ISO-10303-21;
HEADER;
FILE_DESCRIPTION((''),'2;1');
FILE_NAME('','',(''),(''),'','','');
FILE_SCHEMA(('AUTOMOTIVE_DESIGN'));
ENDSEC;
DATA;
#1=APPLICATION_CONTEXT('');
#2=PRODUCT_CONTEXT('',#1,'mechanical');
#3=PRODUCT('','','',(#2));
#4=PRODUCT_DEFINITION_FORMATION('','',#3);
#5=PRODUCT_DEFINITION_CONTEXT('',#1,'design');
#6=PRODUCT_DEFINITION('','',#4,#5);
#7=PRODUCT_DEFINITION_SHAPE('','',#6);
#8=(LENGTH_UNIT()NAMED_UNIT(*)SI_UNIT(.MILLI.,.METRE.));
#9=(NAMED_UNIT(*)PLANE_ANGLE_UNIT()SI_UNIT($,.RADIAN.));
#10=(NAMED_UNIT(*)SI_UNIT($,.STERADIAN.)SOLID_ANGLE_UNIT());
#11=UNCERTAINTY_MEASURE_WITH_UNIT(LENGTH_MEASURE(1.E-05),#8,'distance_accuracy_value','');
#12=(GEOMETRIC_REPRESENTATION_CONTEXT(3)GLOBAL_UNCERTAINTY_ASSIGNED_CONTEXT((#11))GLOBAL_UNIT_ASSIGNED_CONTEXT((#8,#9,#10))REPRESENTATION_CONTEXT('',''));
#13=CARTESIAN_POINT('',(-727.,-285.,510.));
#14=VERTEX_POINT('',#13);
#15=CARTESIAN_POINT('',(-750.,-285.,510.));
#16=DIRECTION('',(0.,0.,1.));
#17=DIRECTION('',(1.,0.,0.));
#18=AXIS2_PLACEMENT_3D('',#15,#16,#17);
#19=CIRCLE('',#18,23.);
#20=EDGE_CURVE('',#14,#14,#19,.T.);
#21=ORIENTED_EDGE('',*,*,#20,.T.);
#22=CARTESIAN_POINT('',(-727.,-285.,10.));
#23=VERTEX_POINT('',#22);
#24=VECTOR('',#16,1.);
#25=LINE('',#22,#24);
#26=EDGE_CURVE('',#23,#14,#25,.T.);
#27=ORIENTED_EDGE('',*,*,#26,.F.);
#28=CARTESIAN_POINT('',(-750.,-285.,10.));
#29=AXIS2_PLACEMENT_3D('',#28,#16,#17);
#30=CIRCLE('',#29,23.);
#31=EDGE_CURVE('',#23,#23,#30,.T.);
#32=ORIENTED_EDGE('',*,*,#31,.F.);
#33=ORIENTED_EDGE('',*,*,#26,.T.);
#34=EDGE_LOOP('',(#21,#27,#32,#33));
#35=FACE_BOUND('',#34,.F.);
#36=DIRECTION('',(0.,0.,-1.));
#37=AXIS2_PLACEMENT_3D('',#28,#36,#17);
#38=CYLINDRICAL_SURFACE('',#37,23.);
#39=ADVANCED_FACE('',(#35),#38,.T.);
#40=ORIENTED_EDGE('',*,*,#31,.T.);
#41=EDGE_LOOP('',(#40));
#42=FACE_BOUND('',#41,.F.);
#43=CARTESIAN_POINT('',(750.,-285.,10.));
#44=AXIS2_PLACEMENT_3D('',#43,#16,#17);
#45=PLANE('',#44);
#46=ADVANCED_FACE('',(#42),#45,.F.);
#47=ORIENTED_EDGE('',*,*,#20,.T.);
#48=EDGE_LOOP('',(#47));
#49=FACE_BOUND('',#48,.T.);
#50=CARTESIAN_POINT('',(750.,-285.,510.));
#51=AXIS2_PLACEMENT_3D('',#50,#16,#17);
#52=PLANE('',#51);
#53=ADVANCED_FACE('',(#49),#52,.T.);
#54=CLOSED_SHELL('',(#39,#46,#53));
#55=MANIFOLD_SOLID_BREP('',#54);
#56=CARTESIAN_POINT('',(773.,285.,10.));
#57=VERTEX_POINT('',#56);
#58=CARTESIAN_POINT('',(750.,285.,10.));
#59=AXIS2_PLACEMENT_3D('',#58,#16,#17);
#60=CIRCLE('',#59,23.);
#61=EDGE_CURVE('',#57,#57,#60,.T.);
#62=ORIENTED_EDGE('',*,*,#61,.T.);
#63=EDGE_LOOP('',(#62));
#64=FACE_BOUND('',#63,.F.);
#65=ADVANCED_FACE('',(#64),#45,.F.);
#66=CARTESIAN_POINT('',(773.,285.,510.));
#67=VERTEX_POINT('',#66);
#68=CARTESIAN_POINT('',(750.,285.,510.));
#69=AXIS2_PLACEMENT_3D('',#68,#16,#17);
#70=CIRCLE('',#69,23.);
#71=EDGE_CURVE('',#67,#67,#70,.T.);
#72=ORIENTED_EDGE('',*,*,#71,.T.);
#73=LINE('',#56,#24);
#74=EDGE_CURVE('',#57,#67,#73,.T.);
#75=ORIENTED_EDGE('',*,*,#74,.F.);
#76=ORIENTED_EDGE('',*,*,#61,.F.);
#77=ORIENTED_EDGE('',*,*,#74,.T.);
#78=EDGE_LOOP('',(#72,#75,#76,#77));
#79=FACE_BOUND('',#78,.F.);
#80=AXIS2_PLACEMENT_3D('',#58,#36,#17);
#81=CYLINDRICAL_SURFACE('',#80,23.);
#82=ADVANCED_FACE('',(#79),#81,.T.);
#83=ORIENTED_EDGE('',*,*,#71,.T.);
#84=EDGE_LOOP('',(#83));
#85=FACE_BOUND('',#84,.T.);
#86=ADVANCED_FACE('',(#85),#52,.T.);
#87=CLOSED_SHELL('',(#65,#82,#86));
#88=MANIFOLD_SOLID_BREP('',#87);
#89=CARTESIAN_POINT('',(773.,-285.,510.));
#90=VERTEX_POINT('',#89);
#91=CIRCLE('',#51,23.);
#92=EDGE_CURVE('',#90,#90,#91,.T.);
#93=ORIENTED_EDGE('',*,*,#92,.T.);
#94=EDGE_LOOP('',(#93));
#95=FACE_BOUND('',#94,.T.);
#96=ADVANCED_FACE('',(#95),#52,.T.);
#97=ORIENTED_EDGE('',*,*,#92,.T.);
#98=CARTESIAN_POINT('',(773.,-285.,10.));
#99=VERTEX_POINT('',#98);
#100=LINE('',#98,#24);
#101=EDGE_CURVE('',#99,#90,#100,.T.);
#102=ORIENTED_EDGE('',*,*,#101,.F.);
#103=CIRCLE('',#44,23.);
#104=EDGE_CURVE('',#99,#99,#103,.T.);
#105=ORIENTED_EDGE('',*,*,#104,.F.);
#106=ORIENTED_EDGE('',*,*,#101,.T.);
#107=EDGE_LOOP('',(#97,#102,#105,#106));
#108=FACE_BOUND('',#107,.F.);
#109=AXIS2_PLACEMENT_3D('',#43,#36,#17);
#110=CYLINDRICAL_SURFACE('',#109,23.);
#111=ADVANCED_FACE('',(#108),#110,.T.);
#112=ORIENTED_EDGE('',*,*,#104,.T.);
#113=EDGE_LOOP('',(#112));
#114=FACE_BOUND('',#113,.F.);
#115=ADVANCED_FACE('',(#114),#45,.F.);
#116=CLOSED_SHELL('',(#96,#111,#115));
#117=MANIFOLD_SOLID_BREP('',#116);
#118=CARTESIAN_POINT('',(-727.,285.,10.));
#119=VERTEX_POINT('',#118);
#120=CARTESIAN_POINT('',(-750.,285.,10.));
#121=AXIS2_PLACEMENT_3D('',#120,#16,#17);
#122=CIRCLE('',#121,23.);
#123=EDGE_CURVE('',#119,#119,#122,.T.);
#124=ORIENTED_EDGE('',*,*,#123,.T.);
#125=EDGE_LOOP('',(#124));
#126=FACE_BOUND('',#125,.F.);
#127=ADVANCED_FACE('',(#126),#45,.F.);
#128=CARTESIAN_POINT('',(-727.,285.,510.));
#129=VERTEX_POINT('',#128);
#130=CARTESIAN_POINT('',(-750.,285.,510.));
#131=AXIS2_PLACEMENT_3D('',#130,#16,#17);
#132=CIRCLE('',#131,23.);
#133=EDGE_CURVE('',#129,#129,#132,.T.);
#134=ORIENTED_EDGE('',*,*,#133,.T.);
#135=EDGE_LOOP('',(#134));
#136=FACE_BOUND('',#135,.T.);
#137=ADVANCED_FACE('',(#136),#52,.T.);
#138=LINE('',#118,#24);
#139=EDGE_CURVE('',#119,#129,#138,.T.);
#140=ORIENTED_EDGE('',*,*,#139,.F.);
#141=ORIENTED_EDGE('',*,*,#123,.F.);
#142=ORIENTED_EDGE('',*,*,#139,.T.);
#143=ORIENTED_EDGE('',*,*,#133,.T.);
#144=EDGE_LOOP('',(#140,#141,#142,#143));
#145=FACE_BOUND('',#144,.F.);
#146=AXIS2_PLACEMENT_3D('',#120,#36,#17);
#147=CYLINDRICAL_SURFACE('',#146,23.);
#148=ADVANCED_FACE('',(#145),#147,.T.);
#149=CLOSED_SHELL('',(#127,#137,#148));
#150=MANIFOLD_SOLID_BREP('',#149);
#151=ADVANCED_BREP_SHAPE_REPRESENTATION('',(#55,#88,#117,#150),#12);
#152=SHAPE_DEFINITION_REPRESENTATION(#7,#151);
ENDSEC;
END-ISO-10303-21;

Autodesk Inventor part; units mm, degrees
ref_plane "YZ Plane" through (0, 0, 0) normal (1, 0, 0) x (0, 1, 0)
ref_plane "XZ Plane" through (0, 0, 0) normal (0, 1, 0) x (-1, 0, 0)
ref_plane "XY Plane" through (0, 0, 0) normal (0, 0, 1) x (1, 0, 0)
ref_plane "Work Plane1" through (750, -285, 10) normal (0, 0, 1) x (1, 0, 0)
sketch "Sketch1" plane through (750, -285, 10) normal (0, 0, 1) x (1, 0, 0)
  circle A0 centre (0, 570) radius 23 projected
  circle A1 centre (0, 0) radius 23 projected
  circle A2 centre (-1500, 0) radius 23 projected
  circle A3 centre (-1500, 570) radius 23 projected
  point P0 (-750, 285)
extrude "Extrusion1" add sketch "Sketch1" along normal blind 500
